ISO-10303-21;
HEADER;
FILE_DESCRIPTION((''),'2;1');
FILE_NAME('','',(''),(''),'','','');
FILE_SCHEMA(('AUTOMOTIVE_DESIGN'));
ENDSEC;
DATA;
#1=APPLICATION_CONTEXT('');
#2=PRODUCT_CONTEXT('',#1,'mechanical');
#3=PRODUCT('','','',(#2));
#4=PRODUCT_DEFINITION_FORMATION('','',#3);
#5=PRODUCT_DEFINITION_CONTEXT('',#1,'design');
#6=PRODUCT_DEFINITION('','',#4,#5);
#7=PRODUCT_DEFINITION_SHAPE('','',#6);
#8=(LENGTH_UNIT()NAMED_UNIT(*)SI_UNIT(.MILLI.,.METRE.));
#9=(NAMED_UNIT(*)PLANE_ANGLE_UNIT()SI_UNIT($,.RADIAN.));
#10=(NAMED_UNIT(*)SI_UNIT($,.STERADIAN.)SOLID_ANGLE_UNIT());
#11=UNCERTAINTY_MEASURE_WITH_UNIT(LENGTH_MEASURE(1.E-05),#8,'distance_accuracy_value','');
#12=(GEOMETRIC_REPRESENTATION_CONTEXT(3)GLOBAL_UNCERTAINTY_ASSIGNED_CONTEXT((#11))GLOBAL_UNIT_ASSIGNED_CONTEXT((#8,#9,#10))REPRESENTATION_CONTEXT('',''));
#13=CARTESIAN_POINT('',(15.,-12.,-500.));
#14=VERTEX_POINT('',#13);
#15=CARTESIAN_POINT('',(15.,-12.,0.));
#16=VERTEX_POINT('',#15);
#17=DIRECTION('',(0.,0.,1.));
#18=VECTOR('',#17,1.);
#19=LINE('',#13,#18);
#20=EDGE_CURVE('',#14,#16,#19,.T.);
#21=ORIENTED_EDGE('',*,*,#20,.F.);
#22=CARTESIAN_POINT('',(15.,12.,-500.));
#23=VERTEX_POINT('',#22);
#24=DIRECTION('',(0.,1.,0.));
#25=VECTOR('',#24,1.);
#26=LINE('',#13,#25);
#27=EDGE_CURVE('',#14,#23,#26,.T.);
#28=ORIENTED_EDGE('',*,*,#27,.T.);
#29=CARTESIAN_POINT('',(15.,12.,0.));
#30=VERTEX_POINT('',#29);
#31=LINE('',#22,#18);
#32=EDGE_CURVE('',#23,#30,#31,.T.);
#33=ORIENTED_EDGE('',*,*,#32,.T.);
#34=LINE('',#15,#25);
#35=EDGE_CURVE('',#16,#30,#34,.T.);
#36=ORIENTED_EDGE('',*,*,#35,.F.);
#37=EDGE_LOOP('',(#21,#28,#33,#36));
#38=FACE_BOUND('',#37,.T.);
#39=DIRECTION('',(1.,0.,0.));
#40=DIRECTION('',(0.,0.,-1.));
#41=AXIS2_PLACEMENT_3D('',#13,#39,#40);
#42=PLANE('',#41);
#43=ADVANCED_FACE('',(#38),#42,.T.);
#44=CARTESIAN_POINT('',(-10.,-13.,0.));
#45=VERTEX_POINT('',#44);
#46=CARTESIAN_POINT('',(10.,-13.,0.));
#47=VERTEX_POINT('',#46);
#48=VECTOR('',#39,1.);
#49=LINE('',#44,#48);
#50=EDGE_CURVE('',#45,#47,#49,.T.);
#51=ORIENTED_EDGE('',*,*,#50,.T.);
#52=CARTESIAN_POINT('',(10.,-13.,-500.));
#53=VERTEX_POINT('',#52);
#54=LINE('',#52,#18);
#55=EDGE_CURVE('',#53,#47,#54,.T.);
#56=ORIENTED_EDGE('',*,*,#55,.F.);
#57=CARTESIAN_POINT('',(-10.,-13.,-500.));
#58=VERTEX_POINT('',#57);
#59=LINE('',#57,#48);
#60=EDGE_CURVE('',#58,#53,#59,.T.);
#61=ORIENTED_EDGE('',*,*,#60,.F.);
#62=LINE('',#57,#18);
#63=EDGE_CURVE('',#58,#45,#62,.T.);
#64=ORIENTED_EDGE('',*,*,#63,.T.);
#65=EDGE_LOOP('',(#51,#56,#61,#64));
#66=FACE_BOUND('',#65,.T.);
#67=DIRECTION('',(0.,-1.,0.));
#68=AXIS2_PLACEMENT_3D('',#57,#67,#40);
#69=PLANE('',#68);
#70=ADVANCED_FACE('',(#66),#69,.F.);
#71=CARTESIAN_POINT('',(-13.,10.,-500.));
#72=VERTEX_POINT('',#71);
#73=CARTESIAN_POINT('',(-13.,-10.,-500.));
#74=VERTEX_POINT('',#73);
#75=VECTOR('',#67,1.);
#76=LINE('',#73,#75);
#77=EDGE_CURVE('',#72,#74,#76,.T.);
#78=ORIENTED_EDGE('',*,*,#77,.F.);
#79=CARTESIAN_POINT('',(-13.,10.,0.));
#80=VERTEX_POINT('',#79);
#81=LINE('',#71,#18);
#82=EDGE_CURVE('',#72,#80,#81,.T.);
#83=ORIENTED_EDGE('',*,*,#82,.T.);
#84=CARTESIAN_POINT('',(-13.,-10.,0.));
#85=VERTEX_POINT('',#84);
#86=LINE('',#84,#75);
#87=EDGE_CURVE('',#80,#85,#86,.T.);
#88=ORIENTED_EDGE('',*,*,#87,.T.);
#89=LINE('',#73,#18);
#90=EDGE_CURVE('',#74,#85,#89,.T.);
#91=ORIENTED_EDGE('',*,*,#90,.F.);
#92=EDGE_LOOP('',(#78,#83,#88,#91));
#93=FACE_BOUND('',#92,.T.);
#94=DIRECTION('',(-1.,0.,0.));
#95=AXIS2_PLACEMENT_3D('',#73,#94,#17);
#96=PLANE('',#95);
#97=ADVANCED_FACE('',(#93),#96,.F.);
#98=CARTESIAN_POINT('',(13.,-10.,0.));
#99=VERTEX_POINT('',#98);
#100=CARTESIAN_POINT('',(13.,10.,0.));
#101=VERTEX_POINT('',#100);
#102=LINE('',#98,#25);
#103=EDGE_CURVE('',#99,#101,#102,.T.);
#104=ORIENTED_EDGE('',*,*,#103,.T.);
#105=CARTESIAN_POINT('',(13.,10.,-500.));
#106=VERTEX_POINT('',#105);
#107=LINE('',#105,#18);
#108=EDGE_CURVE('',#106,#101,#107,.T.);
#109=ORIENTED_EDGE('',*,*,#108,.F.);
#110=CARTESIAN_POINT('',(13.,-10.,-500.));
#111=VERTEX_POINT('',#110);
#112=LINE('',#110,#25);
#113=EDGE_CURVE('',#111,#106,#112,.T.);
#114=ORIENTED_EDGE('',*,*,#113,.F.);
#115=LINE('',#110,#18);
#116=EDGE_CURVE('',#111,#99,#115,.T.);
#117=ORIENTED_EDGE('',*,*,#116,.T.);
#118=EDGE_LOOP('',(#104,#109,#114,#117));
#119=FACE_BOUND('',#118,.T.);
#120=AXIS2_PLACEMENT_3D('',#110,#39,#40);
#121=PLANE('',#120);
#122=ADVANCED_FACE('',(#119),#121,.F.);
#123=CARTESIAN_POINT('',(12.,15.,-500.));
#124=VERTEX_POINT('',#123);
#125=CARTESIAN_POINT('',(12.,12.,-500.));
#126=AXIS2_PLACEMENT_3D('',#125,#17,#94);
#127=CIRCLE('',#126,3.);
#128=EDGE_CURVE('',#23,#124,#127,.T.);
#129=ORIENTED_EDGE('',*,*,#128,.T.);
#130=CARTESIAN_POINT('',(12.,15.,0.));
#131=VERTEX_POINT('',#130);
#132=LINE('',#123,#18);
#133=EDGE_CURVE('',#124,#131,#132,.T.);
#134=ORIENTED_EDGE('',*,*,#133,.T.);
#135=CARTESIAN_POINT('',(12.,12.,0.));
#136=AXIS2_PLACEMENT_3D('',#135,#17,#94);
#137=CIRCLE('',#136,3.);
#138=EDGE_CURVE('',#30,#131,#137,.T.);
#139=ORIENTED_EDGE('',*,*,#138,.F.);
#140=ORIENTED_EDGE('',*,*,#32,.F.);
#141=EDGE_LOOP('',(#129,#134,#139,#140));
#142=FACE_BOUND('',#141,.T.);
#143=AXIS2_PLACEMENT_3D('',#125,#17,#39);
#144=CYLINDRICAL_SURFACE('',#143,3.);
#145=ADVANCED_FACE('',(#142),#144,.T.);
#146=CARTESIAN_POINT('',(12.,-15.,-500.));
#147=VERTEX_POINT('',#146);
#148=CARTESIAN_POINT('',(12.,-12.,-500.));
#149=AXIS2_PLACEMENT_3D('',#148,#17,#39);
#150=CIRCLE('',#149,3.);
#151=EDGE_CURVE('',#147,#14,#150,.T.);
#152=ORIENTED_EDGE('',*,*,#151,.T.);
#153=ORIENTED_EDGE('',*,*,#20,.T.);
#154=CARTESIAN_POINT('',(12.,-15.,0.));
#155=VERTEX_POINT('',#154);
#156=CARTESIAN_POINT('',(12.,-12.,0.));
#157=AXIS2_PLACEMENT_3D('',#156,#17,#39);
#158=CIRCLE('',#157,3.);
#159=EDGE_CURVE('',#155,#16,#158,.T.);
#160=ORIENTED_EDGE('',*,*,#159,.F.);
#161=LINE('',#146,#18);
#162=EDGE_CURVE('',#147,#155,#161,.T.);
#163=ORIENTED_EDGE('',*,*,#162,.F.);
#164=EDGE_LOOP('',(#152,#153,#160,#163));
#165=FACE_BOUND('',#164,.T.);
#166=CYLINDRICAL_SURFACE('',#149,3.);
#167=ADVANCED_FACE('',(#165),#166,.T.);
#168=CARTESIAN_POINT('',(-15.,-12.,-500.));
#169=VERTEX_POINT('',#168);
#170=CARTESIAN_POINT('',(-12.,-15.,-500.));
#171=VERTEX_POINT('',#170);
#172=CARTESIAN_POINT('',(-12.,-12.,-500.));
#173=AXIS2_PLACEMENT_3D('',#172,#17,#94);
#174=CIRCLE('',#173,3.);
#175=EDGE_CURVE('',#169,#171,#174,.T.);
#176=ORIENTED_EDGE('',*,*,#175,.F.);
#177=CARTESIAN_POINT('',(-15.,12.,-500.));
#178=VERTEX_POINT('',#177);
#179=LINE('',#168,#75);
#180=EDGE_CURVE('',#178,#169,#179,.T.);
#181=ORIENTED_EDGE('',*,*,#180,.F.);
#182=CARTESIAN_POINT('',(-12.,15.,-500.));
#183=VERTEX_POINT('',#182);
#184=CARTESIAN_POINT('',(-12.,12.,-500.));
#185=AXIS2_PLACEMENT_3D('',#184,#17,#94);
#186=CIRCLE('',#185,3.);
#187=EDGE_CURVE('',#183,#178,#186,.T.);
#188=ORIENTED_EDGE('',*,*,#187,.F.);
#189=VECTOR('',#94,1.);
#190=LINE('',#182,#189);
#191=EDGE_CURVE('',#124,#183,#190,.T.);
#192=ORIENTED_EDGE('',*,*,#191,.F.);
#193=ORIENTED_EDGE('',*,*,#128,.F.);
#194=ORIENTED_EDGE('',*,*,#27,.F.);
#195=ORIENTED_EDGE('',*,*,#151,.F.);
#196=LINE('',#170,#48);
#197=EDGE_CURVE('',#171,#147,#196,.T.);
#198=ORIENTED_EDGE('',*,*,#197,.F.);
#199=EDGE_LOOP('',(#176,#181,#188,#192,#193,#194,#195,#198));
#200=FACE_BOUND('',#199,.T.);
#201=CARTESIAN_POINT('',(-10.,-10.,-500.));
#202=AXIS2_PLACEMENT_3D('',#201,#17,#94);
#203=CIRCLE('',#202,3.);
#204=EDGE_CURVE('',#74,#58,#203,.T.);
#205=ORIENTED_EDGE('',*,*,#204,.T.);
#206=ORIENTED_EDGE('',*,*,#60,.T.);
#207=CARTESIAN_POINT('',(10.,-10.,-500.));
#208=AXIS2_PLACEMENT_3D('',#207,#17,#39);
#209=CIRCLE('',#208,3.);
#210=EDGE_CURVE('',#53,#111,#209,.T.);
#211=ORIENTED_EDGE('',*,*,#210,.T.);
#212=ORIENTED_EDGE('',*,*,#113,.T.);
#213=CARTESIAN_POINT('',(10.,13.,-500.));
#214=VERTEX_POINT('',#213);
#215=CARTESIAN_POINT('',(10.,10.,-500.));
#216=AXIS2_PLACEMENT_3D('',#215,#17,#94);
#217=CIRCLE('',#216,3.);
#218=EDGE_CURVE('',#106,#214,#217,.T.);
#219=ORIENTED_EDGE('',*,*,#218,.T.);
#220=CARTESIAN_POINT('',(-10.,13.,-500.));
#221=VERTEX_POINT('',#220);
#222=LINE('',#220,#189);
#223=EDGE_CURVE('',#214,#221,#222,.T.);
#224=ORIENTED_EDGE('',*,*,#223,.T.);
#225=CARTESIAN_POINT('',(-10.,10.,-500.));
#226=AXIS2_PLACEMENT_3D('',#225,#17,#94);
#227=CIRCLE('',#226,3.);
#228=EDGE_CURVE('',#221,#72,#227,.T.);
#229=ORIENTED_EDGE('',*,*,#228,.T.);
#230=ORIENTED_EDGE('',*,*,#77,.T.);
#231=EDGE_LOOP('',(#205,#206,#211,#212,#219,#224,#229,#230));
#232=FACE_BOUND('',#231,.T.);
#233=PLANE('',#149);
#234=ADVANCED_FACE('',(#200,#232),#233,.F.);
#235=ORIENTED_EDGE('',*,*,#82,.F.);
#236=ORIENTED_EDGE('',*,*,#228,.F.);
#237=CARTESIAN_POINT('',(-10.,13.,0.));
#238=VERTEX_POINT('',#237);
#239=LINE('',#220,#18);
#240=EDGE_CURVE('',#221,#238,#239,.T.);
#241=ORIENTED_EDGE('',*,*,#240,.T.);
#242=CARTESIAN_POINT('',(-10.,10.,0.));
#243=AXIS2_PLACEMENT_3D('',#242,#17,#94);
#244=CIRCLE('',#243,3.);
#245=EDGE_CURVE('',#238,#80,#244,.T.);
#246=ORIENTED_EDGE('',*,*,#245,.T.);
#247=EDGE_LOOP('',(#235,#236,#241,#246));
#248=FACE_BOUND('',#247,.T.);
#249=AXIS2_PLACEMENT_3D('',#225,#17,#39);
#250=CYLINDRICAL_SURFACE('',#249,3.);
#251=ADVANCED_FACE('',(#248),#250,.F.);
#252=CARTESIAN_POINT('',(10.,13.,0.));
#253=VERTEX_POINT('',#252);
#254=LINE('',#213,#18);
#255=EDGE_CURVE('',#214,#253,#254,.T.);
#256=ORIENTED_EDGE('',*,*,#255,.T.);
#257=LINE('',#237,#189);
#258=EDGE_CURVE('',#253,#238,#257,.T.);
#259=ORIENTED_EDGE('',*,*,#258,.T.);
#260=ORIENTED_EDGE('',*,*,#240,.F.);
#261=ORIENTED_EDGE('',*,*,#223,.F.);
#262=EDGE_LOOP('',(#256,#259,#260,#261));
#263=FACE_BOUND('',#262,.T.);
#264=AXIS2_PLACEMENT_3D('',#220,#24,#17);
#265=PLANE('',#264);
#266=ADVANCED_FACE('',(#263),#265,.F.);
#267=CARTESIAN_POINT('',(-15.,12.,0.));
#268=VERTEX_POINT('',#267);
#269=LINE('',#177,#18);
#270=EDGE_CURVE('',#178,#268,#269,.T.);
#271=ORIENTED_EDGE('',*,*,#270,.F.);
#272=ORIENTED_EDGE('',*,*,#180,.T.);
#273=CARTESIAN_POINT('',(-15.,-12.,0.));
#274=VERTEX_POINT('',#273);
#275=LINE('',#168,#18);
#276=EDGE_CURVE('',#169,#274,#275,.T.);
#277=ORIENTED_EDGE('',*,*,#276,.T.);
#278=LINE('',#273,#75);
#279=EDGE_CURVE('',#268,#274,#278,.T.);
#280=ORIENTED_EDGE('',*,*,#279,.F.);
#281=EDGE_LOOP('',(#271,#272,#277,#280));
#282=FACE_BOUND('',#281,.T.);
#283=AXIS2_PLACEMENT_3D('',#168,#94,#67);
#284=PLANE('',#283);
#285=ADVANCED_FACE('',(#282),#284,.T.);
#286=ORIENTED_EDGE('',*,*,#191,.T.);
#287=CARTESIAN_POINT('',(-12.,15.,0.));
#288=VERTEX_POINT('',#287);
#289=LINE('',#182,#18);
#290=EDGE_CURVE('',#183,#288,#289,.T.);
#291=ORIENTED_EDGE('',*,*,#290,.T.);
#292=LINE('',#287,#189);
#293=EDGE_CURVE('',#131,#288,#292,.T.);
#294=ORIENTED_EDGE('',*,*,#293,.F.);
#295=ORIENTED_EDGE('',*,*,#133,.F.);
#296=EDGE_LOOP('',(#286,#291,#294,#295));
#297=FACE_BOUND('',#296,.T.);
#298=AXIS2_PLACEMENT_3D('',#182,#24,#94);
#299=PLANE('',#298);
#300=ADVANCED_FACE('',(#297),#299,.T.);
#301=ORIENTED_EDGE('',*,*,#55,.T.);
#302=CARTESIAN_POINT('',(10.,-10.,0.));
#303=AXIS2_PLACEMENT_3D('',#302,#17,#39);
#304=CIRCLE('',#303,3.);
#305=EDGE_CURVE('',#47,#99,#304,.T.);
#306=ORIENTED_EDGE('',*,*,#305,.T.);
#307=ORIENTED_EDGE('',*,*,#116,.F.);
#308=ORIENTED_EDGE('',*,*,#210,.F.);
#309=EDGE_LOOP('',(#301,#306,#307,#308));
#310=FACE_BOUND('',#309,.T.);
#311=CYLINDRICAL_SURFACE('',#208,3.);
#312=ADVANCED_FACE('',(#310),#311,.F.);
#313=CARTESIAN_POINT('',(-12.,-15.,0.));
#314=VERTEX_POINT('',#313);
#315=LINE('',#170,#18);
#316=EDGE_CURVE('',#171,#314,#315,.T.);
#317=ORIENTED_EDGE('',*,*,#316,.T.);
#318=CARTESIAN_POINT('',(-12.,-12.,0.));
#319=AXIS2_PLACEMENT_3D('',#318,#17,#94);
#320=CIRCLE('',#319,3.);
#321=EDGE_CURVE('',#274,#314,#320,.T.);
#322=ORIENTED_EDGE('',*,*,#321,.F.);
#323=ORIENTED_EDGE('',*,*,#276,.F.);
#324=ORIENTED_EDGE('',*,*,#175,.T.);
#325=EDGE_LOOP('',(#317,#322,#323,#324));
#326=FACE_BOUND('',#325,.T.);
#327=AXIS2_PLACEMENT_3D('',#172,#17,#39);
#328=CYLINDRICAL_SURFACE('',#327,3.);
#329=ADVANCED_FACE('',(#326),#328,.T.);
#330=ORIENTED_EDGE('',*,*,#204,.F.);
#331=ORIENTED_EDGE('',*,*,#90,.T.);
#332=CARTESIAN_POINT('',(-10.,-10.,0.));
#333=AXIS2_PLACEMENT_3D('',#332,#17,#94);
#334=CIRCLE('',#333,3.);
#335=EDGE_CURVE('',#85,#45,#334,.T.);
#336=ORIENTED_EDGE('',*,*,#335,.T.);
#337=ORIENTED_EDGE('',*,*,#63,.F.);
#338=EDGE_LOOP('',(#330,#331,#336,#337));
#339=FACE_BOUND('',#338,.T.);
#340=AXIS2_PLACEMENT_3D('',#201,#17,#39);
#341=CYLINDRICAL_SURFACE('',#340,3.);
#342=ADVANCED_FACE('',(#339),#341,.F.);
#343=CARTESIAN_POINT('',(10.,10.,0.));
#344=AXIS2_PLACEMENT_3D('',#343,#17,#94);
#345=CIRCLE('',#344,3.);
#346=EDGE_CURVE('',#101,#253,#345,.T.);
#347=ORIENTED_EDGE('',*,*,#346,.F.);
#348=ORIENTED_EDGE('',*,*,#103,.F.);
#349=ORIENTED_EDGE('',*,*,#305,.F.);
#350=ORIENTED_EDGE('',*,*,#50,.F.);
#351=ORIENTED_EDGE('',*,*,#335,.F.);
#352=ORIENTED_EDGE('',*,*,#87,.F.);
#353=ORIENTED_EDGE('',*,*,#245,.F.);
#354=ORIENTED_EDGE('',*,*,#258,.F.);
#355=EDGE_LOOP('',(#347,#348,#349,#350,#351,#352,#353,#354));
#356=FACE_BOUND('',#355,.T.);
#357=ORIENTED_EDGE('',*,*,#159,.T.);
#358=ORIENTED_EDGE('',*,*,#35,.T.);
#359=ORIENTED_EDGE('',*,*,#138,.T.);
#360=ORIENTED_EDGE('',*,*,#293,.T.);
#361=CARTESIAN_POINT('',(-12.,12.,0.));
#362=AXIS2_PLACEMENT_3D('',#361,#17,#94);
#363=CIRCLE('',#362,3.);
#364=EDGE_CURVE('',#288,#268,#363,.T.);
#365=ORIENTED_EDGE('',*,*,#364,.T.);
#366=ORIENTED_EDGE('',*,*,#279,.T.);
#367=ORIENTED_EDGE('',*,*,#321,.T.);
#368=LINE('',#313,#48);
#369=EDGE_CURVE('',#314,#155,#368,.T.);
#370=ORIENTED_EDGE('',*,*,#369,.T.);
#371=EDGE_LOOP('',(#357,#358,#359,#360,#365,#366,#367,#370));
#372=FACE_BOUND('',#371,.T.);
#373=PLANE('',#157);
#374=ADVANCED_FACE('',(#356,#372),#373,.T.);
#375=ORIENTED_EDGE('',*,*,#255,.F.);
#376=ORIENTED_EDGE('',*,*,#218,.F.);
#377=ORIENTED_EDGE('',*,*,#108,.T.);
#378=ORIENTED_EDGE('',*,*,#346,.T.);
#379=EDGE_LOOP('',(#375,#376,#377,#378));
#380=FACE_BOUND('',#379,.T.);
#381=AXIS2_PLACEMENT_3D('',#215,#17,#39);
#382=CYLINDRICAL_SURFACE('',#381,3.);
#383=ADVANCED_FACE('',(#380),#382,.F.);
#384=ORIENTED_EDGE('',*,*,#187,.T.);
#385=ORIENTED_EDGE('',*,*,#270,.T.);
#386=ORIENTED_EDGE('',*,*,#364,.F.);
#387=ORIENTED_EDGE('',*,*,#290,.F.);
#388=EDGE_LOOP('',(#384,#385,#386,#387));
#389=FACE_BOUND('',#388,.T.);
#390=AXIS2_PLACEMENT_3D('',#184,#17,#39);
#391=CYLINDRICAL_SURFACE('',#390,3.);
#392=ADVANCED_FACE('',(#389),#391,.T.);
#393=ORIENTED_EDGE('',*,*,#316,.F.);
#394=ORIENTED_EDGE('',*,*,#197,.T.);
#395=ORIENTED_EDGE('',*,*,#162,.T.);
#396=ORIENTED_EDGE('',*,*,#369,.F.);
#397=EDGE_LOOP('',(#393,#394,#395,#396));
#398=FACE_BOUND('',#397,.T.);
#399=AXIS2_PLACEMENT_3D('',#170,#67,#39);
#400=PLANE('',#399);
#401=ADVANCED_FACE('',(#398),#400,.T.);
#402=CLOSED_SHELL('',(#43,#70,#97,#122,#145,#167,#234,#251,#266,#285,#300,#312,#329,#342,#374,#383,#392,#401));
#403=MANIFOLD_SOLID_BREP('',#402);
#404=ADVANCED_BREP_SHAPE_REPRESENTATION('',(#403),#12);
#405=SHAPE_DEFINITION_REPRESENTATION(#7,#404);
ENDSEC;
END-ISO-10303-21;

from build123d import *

# Parameters (mm, degrees)
BOSS_EXTRU_1_DEPTH = 500


with BuildPart() as part:
    # Esquisse1 → Boss.-Extru.1 (new body)
    with BuildSketch(Plane.XY):
        with BuildLine():
            Line((-12, -15), (12, -15))
            ThreePointArc((12, -15), (14.121320344, -14.121320344), (15, -12))
            Line((15, -12), (15, 12))
            ThreePointArc((15, 12), (14.121320344, 14.121320344), (12, 15))
            Line((12, 15), (-12, 15))
            ThreePointArc((-12, 15), (-14.121320344, 14.121320344), (-15, 12))
            Line((-15, 12), (-15, -12))
            ThreePointArc((-15, -12), (-14.121320344, -14.121320344), (-12, -15))
        make_face()
        with BuildLine():
            Line((-10, -13), (10, -13))
            ThreePointArc((10, -13), (12.121320344, -12.121320344), (13, -10))
            Line((13, -10), (13, 10))
            ThreePointArc((13, 10), (12.121320344, 12.121320344), (10, 13))
            Line((10, 13), (-10, 13))
            ThreePointArc((-10, 13), (-12.121320344, 12.121320344), (-13, 10))
            Line((-13, 10), (-13, -10))
            ThreePointArc((-13, -10), (-12.121320344, -12.121320344), (-10, -13))
        make_face(mode=Mode.SUBTRACT)
    extrude(amount=-BOSS_EXTRU_1_DEPTH)


solid = part.part
